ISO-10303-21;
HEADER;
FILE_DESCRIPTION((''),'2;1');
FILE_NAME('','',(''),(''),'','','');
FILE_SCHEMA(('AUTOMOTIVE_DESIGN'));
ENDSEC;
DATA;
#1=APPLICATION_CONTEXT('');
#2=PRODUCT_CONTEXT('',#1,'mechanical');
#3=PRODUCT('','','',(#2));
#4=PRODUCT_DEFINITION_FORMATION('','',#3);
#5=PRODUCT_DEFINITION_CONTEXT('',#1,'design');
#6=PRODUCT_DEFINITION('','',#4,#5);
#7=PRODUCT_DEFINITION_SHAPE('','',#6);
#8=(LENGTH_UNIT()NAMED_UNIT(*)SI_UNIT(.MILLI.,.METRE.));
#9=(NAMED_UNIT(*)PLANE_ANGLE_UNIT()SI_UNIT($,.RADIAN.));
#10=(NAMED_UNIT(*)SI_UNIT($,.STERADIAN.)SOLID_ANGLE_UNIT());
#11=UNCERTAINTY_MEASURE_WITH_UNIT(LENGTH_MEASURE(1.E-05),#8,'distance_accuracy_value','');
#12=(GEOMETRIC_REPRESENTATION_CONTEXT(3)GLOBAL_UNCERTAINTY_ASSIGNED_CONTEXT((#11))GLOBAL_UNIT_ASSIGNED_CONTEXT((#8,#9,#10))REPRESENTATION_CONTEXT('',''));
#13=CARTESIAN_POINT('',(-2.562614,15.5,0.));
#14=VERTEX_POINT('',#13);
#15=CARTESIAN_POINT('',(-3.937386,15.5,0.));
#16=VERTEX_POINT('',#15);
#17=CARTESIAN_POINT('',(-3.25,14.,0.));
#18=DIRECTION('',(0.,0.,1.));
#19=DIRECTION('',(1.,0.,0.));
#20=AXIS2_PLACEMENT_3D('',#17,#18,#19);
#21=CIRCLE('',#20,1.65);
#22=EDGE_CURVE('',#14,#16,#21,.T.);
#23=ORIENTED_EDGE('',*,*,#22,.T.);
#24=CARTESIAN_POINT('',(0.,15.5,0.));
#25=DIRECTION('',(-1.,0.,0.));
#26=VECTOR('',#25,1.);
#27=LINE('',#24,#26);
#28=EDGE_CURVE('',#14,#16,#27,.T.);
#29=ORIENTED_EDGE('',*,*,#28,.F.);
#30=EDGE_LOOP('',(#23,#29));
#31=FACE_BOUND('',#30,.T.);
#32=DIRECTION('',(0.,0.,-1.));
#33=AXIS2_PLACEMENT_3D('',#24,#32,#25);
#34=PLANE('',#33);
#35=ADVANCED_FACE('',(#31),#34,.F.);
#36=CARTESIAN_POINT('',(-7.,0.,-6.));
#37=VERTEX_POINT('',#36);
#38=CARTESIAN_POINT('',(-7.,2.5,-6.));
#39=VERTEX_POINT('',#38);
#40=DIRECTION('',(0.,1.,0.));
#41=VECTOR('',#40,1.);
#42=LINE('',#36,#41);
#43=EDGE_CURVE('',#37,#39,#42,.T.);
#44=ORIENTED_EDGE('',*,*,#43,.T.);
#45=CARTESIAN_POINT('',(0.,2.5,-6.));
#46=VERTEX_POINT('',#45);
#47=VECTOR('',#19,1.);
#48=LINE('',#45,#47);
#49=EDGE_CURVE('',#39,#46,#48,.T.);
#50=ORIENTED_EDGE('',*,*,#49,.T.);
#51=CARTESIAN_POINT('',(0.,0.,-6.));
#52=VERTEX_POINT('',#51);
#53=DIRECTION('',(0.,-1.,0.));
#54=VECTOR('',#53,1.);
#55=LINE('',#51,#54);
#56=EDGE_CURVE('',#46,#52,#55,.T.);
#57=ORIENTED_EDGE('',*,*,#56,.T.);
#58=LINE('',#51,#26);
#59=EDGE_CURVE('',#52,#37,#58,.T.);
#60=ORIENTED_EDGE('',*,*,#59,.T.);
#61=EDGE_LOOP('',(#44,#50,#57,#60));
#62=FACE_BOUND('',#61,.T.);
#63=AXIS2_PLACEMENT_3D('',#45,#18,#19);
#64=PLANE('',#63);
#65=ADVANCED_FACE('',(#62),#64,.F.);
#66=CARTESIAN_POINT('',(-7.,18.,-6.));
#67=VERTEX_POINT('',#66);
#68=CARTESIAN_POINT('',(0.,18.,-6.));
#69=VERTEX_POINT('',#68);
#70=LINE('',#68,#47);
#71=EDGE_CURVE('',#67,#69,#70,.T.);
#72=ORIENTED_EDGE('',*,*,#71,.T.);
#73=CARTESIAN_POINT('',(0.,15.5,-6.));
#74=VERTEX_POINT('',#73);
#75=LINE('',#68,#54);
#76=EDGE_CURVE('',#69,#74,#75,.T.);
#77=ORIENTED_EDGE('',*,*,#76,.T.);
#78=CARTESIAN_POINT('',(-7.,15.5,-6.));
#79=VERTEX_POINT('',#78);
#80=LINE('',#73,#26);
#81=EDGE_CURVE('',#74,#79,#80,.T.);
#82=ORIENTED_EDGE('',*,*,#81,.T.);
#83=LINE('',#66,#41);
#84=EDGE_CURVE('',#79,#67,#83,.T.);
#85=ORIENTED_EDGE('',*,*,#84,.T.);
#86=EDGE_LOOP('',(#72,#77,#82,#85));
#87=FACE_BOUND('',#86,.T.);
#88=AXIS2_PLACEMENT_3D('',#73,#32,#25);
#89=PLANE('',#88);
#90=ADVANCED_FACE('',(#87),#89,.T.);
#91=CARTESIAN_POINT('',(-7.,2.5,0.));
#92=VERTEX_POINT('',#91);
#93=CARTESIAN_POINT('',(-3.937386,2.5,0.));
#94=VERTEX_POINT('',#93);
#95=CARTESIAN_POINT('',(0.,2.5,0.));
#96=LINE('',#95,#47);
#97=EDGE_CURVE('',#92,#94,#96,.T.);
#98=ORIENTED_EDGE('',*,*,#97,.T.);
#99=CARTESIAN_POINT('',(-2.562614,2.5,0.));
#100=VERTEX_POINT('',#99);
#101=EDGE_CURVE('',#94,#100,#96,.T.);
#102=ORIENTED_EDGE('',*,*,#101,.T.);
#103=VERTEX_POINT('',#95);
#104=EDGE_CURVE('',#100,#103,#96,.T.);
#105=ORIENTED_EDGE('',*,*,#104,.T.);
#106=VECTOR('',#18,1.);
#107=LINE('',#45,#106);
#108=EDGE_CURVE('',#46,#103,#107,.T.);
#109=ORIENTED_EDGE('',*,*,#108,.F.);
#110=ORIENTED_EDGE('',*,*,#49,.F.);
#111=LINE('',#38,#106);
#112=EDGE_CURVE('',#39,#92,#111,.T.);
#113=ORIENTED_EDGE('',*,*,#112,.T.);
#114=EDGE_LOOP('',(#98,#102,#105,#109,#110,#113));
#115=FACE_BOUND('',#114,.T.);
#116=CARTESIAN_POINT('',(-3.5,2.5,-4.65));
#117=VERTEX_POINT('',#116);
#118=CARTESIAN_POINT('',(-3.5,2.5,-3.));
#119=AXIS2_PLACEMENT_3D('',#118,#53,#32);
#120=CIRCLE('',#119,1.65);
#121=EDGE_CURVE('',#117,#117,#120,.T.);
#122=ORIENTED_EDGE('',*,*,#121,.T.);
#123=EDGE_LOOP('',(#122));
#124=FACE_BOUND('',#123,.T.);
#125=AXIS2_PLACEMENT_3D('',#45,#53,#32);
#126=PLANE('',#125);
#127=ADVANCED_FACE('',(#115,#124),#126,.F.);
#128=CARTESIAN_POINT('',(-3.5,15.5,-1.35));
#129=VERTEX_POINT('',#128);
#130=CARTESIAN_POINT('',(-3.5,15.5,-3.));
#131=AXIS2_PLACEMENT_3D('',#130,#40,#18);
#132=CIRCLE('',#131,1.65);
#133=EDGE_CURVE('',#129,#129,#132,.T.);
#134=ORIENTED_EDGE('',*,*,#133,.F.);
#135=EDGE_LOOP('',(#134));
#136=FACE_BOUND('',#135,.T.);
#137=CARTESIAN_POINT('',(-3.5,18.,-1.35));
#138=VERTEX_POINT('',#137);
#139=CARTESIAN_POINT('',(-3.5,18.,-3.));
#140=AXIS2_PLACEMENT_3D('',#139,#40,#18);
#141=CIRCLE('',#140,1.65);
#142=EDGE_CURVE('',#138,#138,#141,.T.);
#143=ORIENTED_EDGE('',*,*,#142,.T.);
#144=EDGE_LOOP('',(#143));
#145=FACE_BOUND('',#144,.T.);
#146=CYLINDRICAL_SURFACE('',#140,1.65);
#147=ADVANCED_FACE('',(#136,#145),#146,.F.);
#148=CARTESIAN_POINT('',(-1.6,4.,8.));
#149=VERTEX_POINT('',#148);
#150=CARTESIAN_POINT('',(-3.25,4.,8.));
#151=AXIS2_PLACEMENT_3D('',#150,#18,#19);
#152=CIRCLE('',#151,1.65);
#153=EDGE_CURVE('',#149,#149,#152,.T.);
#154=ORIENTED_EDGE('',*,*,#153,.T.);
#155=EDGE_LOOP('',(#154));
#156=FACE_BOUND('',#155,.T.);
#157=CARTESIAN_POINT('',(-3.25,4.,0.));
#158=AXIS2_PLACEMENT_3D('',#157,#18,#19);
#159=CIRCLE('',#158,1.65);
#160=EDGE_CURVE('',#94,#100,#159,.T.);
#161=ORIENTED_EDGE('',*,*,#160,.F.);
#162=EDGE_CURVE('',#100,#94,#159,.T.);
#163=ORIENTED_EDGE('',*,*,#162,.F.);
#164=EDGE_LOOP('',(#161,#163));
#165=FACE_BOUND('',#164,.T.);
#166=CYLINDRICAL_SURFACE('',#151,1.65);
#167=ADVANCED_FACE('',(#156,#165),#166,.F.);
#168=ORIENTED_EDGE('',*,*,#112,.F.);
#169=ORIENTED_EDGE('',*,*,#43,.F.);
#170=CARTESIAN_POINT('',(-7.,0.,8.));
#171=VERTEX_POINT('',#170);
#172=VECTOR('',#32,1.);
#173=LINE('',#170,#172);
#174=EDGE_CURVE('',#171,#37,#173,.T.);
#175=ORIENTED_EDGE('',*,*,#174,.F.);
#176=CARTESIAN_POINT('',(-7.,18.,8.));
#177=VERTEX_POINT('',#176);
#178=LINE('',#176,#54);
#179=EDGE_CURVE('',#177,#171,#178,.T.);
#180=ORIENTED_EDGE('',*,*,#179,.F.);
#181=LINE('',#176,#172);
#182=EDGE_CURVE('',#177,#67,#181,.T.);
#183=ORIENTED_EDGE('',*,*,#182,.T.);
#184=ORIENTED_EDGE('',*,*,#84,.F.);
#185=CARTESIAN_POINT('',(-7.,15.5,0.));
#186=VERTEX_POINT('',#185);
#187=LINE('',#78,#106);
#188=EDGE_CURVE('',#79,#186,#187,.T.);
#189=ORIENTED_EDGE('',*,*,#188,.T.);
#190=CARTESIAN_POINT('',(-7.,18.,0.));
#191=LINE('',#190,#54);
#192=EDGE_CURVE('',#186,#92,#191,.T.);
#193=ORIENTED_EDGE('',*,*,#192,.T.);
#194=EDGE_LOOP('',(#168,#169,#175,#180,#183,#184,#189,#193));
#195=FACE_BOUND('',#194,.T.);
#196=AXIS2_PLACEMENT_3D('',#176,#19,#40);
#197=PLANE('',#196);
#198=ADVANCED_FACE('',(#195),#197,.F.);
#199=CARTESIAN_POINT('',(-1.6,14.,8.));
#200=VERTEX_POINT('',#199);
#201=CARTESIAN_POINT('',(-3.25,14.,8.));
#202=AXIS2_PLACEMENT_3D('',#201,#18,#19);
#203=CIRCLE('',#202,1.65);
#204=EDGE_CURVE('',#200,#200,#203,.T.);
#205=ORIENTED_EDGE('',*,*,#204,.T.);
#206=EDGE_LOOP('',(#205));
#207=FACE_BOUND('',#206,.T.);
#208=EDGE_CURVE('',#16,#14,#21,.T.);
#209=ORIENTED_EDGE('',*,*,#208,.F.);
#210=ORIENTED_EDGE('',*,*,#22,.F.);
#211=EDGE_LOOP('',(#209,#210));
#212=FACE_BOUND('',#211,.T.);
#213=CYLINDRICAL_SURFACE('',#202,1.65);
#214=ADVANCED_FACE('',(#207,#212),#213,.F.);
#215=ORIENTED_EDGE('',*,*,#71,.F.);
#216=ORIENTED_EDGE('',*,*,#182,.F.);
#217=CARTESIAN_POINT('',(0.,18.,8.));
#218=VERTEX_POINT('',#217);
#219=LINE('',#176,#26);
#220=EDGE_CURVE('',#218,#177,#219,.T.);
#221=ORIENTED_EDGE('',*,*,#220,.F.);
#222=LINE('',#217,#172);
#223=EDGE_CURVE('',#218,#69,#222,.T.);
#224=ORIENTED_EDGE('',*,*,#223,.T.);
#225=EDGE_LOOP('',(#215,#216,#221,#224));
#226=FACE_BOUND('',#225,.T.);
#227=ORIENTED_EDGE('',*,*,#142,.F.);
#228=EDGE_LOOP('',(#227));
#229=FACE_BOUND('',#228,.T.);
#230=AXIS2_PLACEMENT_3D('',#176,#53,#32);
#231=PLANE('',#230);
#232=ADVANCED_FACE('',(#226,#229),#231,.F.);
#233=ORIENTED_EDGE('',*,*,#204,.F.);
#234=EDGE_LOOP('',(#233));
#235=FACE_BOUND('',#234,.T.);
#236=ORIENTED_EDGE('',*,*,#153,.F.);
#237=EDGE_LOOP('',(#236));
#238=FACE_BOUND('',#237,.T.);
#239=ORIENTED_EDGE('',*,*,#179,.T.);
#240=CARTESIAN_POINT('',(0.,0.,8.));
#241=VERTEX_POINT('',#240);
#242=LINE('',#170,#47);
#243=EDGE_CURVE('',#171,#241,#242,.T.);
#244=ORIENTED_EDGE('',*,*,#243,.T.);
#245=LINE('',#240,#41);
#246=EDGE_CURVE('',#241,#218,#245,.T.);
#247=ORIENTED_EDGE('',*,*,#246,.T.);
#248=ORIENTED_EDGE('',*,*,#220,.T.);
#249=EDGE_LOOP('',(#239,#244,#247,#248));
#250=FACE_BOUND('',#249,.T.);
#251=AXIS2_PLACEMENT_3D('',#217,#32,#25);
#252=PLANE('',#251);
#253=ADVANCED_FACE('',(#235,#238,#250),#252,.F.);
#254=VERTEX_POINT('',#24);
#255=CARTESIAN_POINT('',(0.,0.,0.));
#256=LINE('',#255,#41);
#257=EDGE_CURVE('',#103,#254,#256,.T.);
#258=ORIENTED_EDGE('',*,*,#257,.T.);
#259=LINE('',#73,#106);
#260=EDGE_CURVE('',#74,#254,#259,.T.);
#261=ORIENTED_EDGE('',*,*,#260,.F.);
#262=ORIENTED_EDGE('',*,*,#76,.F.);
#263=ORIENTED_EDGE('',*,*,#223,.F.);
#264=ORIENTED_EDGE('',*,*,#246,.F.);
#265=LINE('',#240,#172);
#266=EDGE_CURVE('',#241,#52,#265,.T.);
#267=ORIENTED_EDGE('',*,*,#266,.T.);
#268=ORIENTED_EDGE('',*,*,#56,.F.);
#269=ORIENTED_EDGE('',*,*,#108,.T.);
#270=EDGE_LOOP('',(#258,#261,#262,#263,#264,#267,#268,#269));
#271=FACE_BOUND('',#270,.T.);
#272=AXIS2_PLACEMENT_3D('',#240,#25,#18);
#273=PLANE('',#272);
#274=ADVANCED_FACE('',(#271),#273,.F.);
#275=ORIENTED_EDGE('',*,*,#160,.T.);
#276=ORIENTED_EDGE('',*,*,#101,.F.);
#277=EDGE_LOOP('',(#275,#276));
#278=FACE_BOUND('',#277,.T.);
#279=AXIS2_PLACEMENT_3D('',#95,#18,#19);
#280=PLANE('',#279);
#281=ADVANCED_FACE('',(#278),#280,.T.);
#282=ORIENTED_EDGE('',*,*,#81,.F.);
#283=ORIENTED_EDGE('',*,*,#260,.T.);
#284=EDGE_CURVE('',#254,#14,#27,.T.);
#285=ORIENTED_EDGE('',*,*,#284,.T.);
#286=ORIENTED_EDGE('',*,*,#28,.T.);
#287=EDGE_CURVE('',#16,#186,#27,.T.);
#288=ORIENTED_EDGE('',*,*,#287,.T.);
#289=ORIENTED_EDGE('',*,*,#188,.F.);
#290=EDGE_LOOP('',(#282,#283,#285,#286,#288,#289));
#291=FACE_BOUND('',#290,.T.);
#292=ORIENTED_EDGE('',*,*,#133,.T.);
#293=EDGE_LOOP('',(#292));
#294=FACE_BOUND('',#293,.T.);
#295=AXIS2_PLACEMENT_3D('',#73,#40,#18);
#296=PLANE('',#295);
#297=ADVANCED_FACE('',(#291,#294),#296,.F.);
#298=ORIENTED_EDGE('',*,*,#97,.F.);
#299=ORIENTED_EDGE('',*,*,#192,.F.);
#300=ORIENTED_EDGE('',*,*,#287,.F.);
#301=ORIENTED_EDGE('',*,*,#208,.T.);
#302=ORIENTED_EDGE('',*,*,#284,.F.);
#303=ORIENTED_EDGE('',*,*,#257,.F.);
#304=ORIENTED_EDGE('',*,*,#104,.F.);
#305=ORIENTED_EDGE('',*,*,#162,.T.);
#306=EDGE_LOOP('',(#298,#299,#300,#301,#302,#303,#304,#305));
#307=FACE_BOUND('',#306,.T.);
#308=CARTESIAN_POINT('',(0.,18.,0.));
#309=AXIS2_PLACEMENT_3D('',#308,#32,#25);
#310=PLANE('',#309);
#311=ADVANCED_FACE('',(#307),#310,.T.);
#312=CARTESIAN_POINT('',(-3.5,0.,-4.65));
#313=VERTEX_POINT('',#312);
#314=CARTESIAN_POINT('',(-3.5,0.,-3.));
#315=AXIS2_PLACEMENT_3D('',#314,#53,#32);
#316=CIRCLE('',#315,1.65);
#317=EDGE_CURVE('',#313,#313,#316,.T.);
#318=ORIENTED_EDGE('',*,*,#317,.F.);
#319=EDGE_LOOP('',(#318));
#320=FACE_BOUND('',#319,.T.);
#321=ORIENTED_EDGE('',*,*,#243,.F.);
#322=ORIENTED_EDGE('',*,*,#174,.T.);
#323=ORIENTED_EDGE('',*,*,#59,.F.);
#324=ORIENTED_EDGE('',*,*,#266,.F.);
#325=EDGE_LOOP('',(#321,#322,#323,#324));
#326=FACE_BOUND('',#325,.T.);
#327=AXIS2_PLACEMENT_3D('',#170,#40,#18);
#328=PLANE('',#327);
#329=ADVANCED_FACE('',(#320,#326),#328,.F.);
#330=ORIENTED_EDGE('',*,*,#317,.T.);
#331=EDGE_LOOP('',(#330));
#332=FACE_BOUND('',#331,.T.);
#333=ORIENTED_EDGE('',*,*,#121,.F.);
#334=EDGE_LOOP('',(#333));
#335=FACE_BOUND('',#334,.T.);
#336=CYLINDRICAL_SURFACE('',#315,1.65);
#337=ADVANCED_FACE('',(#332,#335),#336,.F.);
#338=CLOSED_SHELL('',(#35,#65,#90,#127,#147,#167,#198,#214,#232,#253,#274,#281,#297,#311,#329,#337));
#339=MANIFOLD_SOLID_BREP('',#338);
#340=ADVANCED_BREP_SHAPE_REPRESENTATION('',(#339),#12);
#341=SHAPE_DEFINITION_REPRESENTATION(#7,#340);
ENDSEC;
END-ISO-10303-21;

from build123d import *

# Parameters (mm, degrees)
SKETCH1_W                           = 7
SKETCH1_H                           = 18
EXTRUDE1_DEPTH                      = 8
M4X0_7_TAPPED_HOLE1_D               = 3.3
SKETCH7_W                           = 7
SKETCH7_H                           = 2.5
EXTRUDE5_DEPTH                      = 6
M4X0_7_TAPPED_HOLE2_D               = 3.3
M4X0_7_TAPPED_HOLE2_DEPTH           = 10.3
M4X0_7_TAPPED_HOLE2_TIP             = 0.991420021
M4X0_7_TAPPED_HOLE2_ON_FACE_2_D     = 3.3
M4X0_7_TAPPED_HOLE2_ON_FACE_2_DEPTH = 10.3
M4X0_7_TAPPED_HOLE2_ON_FACE_2_TIP   = 0.991420021


with BuildPart() as part:
    # Sketch1 → Extrude1 (new body)
    with BuildSketch(Plane.XY):
        with Locations((-3.5, 9)):
            Rectangle(SKETCH1_W, SKETCH1_H)
    extrude(amount=EXTRUDE1_DEPTH)

    # M4x0.7 Tapped Hole1 (through all)
    with Locations(Plane(origin=(-3.25, 4, 8), x_dir=(1, 0, 0), z_dir=(0, 0, 1))):
        with Locations((0, 0), (0, 10)):
            Hole(M4X0_7_TAPPED_HOLE1_D / 2)

    # Sketch7 → Extrude5 (add)
    with BuildSketch(Plane(origin=(0, 0, 0), x_dir=(-1, 0, 0), z_dir=(0, 0, -1))):
        with Locations((3.5, 16.75)):
            Rectangle(SKETCH7_W, SKETCH7_H)
        with Locations((3.5, 1.25)):
            Rectangle(SKETCH7_W, SKETCH7_H)
    extrude(amount=EXTRUDE5_DEPTH)

    # M4x0.7 Tapped Hole2
    with Locations(Plane(origin=(-3.5, 18, -3), x_dir=(0, 0, 1), z_dir=(0, 1, 0))):
        with Locations((0, 0)):
            Hole(M4X0_7_TAPPED_HOLE2_D / 2, depth=M4X0_7_TAPPED_HOLE2_DEPTH)
            with Locations((0, 0, -(M4X0_7_TAPPED_HOLE2_DEPTH + M4X0_7_TAPPED_HOLE2_TIP / 2))):  # 118° drill point
                Cone(0, M4X0_7_TAPPED_HOLE2_D / 2, M4X0_7_TAPPED_HOLE2_TIP, mode=Mode.SUBTRACT)

    # M4x0.7 Tapped Hole2 on face 2
    with Locations(Plane(origin=(-3.5, 0, -3), x_dir=(0, 0, -1), z_dir=(0, -1, 0))):
        with Locations((0, 0)):
            Hole(M4X0_7_TAPPED_HOLE2_ON_FACE_2_D / 2, depth=M4X0_7_TAPPED_HOLE2_ON_FACE_2_DEPTH)
            with Locations((0, 0, -(M4X0_7_TAPPED_HOLE2_ON_FACE_2_DEPTH + M4X0_7_TAPPED_HOLE2_ON_FACE_2_TIP / 2))):  # 118° drill point
                Cone(0, M4X0_7_TAPPED_HOLE2_ON_FACE_2_D / 2, M4X0_7_TAPPED_HOLE2_ON_FACE_2_TIP, mode=Mode.SUBTRACT)


solid = part.part
